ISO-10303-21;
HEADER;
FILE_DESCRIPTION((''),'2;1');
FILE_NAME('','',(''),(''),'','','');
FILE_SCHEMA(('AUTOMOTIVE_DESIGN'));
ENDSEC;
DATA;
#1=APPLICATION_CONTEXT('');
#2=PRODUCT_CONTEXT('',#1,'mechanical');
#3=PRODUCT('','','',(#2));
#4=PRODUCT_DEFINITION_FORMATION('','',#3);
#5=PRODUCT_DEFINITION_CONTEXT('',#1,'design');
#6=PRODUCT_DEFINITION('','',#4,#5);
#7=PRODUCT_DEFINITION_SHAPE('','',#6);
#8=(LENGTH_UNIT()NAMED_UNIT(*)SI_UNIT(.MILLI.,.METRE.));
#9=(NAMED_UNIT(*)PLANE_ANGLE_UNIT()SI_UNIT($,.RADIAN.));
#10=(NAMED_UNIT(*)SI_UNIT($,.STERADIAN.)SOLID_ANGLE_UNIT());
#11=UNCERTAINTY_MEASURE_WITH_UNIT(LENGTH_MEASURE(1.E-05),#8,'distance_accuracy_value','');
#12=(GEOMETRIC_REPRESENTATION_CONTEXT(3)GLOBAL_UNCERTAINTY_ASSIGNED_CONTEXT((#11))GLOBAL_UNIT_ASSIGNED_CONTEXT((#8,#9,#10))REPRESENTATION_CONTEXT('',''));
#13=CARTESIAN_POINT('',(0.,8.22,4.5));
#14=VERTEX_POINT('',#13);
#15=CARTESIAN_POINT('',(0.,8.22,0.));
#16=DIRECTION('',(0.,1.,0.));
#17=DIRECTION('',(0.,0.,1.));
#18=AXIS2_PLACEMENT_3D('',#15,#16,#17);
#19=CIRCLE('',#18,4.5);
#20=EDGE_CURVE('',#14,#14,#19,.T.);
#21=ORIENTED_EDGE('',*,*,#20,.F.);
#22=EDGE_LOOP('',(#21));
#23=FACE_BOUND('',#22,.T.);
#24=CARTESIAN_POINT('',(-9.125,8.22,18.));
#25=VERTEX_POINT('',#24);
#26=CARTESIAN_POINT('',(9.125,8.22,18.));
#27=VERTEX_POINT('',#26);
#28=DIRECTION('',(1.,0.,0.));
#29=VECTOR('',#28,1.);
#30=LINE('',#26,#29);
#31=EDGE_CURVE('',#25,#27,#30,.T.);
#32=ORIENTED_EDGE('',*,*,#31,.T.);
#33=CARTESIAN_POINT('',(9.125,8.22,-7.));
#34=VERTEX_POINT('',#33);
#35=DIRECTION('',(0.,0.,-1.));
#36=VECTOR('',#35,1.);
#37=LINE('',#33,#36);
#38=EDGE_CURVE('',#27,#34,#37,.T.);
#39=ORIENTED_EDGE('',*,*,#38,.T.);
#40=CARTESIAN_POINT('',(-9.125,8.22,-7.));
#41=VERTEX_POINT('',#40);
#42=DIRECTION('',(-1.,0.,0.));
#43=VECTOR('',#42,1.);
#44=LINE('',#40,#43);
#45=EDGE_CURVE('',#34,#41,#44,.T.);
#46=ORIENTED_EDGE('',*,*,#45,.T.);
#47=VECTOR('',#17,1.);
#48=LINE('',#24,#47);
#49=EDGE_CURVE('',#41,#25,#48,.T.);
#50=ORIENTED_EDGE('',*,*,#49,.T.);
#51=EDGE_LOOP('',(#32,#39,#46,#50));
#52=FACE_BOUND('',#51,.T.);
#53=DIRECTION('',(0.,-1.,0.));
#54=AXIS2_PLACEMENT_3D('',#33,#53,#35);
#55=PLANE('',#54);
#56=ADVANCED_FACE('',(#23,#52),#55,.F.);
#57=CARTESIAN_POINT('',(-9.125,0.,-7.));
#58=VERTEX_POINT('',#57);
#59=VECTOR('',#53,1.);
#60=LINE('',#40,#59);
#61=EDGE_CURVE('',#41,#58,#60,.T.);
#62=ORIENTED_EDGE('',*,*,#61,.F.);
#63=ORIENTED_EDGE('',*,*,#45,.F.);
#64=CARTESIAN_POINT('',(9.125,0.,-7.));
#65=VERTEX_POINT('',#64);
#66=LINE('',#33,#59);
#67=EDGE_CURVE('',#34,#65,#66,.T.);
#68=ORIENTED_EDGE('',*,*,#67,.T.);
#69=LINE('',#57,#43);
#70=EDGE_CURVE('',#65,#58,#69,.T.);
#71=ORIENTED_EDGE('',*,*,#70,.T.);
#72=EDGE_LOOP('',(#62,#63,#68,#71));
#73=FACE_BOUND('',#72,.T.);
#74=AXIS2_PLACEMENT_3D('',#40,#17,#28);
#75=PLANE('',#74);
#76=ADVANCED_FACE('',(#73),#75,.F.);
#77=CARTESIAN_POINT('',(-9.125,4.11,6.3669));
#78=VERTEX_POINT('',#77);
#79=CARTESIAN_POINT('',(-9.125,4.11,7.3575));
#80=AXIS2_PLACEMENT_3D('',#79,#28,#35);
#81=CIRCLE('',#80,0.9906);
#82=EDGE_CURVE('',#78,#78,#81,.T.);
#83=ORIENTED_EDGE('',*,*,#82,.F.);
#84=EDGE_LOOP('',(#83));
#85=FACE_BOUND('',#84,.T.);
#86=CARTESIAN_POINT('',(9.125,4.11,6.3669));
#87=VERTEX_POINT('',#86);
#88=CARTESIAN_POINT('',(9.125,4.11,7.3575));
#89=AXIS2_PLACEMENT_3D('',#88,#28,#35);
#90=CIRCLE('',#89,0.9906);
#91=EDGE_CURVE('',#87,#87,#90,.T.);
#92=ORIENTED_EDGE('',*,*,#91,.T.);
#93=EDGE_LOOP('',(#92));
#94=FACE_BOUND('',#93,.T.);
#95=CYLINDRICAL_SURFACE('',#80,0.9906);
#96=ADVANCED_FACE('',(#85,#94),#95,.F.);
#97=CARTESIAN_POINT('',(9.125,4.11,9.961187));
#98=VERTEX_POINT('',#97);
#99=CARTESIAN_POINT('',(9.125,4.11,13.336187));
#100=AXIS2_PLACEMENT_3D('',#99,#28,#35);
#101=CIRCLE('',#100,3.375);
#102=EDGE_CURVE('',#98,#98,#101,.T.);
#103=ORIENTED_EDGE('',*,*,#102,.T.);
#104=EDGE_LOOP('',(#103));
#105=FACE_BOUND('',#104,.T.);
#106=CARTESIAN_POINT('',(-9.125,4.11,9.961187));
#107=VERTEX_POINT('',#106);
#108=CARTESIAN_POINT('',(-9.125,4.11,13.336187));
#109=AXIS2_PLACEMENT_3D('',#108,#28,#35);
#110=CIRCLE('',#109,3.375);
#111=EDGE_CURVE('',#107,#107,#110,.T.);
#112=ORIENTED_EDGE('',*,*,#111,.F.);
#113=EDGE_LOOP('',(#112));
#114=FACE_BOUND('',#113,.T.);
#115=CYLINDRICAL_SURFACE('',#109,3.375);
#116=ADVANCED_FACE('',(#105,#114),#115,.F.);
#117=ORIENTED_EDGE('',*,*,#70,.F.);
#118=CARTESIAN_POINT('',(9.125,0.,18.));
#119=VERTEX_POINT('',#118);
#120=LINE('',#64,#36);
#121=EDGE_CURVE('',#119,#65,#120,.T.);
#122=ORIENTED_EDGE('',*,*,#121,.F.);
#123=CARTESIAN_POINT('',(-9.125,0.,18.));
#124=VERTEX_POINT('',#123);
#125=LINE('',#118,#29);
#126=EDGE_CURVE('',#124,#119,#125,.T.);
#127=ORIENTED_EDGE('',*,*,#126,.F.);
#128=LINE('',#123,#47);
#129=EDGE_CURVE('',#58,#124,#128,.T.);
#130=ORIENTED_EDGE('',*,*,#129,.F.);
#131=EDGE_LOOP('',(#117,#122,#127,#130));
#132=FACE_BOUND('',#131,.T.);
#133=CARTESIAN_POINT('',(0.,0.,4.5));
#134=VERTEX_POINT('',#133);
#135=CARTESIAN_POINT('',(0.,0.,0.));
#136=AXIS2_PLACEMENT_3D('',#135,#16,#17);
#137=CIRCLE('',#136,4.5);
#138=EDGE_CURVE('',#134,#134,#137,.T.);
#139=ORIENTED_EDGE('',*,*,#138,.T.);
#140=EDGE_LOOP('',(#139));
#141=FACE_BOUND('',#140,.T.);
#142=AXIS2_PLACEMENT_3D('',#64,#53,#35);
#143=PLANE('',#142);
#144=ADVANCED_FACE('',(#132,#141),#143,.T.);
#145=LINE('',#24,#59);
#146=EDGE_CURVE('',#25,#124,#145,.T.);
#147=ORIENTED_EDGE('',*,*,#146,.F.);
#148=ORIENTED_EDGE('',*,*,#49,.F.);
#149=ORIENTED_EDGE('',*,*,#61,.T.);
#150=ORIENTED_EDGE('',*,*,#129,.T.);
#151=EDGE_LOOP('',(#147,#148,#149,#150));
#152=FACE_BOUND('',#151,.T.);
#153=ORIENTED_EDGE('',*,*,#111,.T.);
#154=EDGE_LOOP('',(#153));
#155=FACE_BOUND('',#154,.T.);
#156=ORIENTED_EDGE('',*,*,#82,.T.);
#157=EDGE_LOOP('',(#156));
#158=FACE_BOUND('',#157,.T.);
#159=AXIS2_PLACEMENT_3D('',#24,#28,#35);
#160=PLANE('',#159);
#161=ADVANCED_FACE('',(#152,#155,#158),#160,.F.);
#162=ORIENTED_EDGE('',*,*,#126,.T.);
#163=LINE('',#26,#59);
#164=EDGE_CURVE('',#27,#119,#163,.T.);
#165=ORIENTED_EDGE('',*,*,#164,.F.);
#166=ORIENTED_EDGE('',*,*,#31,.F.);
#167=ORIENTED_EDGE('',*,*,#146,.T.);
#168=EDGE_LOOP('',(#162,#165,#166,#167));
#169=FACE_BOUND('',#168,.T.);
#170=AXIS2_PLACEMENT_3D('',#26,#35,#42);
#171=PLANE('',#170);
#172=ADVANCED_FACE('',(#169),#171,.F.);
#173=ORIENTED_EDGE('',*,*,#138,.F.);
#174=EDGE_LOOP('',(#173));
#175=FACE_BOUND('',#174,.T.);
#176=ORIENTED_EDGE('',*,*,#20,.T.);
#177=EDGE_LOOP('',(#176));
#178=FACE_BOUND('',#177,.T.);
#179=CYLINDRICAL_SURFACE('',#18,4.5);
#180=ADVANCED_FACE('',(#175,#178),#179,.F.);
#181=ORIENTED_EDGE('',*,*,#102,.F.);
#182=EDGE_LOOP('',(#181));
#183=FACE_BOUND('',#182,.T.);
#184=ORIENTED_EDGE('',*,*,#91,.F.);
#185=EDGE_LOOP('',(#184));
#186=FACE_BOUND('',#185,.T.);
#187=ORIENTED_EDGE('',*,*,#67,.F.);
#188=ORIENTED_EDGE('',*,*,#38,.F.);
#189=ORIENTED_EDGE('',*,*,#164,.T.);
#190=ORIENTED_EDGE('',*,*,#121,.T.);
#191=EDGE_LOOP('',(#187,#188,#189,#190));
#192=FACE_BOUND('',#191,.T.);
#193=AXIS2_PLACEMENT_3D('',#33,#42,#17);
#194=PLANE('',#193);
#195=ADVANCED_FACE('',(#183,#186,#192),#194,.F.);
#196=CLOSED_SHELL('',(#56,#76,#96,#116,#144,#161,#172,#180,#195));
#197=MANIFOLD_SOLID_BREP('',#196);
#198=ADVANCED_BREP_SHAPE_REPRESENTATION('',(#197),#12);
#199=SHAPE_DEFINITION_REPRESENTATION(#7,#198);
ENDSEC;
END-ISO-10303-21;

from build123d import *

# Parameters (mm, degrees)
SKETCH1_W              = 18.25
SKETCH1_H              = 25
BOSS_EXTRUDE1_DEPTH    = 8.22
M10X1_0_TAPPED_HOLE1_D = 9
SKETCH7_R              = 3.375
SKETCH7_R_2            = 0.9906
CUT_EXTRUDE2_DEPTH     = 19.25


with BuildPart() as part:
    # Sketch1 → Boss-Extrude1 (new body)
    with BuildSketch(Plane(origin=(0, 0, 0), x_dir=(1, 0, 0), z_dir=(0, 1, 0))):
        with Locations((0, -5.5)):
            Rectangle(SKETCH1_W, SKETCH1_H)
    extrude(amount=BOSS_EXTRUDE1_DEPTH)

    # M10x1.0 Tapped Hole1 (through all)
    with Locations(Plane(origin=(0, 8.22, 0), x_dir=(-1, 0, 0), z_dir=(0, 1, 0))):
        with Locations((0, 0)):
            Hole(M10X1_0_TAPPED_HOLE1_D / 2)

    # Sketch7 → Cut-Extrude2 (cut, through all)
    with BuildSketch(Plane(origin=(9.125, 0, 0), x_dir=(0, 0, -1), z_dir=(1, 0, 0))):
        with Locations((-13.336186812, 4.11)):
            Circle(SKETCH7_R)
        with Locations((-7.3575, 4.11)):
            Circle(SKETCH7_R_2)
    extrude(amount=-CUT_EXTRUDE2_DEPTH, mode=Mode.SUBTRACT)


solid = part.part
